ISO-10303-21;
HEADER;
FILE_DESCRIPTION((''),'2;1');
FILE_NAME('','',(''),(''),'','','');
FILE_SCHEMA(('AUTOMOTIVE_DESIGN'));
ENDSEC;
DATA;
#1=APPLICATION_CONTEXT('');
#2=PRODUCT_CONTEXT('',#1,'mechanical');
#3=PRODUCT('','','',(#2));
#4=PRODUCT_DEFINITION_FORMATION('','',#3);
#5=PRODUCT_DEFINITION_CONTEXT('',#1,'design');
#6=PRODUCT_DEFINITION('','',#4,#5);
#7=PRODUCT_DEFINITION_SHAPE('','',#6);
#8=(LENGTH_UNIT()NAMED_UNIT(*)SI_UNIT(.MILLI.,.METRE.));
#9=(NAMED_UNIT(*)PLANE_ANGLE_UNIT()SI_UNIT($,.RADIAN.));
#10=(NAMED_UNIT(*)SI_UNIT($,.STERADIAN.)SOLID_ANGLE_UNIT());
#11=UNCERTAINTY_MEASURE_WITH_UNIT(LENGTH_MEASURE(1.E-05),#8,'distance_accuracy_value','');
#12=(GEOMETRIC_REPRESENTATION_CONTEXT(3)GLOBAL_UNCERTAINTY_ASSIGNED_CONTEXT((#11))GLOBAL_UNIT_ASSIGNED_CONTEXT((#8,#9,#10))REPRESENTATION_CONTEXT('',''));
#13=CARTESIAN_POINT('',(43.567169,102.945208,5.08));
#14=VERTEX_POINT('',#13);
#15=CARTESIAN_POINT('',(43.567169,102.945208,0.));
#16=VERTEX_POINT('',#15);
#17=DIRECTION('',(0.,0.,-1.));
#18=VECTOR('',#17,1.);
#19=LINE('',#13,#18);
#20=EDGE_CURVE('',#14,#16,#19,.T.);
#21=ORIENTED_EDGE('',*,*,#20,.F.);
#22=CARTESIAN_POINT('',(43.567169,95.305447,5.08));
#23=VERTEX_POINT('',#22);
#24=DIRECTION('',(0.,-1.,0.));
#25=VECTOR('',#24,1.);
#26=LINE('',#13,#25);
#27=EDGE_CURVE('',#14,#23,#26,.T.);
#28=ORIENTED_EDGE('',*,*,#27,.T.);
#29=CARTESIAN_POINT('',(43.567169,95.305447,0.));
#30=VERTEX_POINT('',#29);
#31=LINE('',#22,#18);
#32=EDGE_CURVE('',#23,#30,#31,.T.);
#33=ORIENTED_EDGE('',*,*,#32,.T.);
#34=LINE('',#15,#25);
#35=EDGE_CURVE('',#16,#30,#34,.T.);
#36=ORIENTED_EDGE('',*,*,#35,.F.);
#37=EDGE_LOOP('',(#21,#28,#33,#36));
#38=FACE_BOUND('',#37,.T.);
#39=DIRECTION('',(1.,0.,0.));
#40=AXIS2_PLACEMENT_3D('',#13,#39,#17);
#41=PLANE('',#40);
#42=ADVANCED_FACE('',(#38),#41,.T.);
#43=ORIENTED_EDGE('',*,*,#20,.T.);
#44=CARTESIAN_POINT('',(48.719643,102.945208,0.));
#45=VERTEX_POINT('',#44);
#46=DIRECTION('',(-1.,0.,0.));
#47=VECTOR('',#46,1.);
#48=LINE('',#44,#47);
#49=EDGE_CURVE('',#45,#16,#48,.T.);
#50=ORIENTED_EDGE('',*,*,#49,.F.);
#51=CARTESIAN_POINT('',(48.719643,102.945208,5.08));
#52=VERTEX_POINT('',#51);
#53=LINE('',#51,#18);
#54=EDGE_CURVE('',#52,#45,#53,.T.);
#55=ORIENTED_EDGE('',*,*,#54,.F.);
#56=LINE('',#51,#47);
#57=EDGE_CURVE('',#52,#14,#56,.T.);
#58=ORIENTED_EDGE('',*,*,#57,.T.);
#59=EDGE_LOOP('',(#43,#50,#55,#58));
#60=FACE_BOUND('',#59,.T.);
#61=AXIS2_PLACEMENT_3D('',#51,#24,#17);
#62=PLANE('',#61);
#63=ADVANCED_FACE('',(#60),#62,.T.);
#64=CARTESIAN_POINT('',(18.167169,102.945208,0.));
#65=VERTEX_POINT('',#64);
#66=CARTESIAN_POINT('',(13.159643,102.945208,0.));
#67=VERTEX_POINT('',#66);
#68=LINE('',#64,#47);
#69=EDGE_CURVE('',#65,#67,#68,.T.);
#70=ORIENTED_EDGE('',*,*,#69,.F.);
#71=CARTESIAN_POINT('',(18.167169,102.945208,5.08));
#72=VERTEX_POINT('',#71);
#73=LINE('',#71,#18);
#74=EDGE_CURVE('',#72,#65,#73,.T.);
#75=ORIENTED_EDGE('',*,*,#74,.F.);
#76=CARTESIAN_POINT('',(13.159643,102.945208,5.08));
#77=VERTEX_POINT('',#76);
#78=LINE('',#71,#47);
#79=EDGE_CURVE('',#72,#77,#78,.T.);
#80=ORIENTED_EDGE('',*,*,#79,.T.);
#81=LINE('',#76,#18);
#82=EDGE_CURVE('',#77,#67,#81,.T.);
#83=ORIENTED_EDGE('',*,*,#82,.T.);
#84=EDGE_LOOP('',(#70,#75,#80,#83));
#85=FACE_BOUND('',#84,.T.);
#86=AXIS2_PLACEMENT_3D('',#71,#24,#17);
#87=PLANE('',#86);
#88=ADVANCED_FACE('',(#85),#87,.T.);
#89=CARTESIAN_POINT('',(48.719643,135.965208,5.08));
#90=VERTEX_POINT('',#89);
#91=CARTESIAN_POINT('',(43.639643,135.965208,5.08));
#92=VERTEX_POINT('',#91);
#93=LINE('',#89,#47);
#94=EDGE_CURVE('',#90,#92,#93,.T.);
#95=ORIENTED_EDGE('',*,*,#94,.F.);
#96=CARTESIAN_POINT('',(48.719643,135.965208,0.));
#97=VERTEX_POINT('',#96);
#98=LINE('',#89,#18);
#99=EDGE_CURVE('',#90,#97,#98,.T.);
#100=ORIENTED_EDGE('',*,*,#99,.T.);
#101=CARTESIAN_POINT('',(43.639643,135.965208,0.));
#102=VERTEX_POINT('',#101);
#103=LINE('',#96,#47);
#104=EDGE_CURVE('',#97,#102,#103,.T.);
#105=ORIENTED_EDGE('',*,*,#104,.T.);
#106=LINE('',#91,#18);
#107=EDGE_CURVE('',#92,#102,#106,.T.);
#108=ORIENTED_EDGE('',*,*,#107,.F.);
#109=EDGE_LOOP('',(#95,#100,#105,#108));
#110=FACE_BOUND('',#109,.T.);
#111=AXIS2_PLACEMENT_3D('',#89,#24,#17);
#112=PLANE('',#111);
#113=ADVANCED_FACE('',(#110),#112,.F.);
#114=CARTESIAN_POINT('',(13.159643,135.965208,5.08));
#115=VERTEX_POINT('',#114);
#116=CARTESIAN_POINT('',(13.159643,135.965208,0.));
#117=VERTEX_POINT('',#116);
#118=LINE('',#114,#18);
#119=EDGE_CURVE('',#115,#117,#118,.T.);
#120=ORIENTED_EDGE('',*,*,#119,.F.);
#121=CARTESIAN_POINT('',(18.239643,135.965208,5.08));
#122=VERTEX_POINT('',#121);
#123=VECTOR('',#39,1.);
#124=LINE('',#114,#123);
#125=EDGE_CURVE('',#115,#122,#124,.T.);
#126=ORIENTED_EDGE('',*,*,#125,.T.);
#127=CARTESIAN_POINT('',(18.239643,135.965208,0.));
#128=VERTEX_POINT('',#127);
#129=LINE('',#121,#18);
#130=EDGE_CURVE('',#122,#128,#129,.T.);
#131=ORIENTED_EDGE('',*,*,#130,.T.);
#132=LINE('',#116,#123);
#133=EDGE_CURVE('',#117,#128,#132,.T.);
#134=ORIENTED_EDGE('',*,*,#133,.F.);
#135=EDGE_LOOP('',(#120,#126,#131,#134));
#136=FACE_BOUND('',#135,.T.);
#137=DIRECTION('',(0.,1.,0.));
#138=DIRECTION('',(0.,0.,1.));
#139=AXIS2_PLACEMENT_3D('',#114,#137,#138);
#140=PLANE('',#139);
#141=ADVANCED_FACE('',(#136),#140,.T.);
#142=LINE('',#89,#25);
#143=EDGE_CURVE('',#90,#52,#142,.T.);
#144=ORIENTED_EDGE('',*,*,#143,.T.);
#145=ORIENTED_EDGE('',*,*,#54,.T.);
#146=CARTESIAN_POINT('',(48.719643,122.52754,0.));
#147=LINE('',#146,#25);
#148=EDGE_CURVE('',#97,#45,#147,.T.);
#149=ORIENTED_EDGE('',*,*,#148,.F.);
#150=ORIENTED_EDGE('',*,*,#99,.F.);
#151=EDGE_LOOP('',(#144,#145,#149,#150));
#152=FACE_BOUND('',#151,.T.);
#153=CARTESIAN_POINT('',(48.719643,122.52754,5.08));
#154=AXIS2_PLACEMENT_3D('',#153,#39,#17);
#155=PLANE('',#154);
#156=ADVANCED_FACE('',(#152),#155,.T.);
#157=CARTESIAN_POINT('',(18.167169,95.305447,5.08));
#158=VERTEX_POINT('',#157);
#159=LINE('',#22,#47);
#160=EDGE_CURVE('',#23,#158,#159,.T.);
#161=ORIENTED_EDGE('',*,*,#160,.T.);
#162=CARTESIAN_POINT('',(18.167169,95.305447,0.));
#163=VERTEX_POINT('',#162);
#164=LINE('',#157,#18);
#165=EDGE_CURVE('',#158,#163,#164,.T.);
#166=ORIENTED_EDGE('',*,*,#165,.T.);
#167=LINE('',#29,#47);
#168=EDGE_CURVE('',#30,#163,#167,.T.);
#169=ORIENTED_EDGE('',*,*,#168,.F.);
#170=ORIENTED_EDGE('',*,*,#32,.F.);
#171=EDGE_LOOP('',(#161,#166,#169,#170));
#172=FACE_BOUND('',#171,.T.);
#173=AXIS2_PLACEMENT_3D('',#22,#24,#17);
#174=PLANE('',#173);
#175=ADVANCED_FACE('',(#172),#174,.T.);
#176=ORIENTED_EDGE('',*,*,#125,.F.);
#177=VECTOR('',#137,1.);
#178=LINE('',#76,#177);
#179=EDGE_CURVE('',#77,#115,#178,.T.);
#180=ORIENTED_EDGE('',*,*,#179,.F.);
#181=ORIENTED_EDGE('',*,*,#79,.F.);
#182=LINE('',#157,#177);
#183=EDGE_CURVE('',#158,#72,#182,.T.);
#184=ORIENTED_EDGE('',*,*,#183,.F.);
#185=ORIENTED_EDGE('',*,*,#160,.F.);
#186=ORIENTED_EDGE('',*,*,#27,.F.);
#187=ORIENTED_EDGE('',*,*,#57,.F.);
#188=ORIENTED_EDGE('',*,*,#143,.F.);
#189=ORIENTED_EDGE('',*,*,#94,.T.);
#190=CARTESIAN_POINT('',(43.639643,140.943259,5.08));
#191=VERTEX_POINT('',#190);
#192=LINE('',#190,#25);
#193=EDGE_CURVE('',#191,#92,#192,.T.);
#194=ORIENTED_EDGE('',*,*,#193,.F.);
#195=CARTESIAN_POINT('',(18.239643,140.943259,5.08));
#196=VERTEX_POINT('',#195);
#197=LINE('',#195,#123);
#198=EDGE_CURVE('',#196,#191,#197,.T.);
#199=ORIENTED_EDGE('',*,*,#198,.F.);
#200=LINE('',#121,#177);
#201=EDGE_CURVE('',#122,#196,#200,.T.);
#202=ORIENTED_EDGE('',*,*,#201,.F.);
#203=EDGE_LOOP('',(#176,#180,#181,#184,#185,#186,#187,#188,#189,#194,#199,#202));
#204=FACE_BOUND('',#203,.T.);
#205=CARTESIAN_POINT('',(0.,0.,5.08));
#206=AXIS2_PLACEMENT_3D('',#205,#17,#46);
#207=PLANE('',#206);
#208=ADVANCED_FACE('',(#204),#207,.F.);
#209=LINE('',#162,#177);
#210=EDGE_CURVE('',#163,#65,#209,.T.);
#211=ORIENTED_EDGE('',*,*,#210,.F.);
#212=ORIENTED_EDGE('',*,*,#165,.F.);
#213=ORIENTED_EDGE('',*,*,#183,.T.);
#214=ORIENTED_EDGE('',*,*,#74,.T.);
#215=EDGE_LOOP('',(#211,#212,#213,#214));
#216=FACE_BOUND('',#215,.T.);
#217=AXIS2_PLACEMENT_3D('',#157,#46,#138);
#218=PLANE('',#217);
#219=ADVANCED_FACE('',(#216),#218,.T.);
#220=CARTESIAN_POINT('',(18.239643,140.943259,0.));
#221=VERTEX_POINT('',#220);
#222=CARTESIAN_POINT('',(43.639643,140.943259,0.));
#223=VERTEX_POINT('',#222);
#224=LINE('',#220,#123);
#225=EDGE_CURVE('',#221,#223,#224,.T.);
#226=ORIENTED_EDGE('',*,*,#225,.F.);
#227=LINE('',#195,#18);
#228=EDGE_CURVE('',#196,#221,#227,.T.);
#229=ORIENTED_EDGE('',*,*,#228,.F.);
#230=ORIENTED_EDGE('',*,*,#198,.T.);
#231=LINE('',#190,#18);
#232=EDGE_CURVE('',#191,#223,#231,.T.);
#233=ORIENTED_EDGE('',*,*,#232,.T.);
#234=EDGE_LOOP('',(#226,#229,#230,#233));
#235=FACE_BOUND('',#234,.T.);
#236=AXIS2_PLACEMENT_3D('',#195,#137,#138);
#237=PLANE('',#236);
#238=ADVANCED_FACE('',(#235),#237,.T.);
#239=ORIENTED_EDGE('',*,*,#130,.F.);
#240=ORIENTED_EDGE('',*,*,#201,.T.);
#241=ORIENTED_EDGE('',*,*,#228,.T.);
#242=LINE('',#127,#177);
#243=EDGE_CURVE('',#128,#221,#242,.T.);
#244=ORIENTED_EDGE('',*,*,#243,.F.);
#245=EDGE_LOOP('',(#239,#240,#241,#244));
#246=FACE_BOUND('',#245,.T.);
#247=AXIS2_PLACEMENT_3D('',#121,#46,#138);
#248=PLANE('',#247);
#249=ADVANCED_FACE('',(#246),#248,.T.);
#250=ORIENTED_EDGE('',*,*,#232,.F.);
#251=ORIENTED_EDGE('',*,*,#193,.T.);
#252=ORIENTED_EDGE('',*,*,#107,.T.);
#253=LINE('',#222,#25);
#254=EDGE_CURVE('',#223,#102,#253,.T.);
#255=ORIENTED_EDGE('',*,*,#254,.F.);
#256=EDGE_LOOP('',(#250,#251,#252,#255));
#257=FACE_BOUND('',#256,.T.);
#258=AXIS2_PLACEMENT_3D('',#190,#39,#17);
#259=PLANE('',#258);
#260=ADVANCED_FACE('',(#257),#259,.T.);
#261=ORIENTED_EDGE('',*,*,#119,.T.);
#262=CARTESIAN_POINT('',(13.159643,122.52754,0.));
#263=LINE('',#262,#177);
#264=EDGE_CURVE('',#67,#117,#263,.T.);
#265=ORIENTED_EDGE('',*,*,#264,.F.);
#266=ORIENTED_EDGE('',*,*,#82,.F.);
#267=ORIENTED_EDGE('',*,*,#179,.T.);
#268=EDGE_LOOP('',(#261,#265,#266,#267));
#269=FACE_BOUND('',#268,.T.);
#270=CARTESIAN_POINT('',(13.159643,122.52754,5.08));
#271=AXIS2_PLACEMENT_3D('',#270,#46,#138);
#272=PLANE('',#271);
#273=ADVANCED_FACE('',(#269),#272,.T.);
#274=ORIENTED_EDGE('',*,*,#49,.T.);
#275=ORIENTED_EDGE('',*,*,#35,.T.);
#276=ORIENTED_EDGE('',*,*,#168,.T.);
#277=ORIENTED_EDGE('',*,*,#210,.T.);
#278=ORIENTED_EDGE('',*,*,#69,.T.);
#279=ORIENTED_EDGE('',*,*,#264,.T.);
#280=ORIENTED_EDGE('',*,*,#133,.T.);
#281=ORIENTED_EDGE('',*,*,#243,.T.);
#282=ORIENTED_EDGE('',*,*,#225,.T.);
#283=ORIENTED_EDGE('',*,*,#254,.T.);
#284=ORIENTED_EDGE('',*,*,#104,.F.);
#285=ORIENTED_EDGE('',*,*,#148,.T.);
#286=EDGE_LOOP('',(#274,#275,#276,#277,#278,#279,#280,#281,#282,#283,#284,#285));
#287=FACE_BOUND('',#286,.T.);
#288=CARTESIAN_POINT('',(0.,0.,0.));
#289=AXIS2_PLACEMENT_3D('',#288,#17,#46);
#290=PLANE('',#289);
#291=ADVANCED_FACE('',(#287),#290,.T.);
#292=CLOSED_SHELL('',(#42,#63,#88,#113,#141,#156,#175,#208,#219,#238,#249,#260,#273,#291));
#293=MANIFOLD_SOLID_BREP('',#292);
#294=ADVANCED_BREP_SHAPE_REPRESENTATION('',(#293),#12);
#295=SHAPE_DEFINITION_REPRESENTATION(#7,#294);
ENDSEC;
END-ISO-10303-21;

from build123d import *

# Parameters (mm, degrees)
BOSS_EXTRUDE1_DEPTH = 5.08


with BuildPart() as part:
    # Sketch1 → Boss-Extrude1 (new body)
    with BuildSketch(Plane.XY):
        Polygon((48.719642696, 135.965208253), (43.639642696, 135.965208253), (43.639642696, 140.943259367), (18.239642696, 140.943259367), (18.239642696, 135.965208253), (13.159642696, 135.965208253), (13.159642696, 122.527539749), (13.159642696, 102.945208253), (18.167168791, 102.945208253), (18.167168791, 95.305446869), (43.567168791, 95.305446869), (43.567168791, 102.945208253), (48.719642696, 102.945208253), (48.719642696, 122.527539749), align=None)
    extrude(amount=BOSS_EXTRUDE1_DEPTH)


solid = part.part
